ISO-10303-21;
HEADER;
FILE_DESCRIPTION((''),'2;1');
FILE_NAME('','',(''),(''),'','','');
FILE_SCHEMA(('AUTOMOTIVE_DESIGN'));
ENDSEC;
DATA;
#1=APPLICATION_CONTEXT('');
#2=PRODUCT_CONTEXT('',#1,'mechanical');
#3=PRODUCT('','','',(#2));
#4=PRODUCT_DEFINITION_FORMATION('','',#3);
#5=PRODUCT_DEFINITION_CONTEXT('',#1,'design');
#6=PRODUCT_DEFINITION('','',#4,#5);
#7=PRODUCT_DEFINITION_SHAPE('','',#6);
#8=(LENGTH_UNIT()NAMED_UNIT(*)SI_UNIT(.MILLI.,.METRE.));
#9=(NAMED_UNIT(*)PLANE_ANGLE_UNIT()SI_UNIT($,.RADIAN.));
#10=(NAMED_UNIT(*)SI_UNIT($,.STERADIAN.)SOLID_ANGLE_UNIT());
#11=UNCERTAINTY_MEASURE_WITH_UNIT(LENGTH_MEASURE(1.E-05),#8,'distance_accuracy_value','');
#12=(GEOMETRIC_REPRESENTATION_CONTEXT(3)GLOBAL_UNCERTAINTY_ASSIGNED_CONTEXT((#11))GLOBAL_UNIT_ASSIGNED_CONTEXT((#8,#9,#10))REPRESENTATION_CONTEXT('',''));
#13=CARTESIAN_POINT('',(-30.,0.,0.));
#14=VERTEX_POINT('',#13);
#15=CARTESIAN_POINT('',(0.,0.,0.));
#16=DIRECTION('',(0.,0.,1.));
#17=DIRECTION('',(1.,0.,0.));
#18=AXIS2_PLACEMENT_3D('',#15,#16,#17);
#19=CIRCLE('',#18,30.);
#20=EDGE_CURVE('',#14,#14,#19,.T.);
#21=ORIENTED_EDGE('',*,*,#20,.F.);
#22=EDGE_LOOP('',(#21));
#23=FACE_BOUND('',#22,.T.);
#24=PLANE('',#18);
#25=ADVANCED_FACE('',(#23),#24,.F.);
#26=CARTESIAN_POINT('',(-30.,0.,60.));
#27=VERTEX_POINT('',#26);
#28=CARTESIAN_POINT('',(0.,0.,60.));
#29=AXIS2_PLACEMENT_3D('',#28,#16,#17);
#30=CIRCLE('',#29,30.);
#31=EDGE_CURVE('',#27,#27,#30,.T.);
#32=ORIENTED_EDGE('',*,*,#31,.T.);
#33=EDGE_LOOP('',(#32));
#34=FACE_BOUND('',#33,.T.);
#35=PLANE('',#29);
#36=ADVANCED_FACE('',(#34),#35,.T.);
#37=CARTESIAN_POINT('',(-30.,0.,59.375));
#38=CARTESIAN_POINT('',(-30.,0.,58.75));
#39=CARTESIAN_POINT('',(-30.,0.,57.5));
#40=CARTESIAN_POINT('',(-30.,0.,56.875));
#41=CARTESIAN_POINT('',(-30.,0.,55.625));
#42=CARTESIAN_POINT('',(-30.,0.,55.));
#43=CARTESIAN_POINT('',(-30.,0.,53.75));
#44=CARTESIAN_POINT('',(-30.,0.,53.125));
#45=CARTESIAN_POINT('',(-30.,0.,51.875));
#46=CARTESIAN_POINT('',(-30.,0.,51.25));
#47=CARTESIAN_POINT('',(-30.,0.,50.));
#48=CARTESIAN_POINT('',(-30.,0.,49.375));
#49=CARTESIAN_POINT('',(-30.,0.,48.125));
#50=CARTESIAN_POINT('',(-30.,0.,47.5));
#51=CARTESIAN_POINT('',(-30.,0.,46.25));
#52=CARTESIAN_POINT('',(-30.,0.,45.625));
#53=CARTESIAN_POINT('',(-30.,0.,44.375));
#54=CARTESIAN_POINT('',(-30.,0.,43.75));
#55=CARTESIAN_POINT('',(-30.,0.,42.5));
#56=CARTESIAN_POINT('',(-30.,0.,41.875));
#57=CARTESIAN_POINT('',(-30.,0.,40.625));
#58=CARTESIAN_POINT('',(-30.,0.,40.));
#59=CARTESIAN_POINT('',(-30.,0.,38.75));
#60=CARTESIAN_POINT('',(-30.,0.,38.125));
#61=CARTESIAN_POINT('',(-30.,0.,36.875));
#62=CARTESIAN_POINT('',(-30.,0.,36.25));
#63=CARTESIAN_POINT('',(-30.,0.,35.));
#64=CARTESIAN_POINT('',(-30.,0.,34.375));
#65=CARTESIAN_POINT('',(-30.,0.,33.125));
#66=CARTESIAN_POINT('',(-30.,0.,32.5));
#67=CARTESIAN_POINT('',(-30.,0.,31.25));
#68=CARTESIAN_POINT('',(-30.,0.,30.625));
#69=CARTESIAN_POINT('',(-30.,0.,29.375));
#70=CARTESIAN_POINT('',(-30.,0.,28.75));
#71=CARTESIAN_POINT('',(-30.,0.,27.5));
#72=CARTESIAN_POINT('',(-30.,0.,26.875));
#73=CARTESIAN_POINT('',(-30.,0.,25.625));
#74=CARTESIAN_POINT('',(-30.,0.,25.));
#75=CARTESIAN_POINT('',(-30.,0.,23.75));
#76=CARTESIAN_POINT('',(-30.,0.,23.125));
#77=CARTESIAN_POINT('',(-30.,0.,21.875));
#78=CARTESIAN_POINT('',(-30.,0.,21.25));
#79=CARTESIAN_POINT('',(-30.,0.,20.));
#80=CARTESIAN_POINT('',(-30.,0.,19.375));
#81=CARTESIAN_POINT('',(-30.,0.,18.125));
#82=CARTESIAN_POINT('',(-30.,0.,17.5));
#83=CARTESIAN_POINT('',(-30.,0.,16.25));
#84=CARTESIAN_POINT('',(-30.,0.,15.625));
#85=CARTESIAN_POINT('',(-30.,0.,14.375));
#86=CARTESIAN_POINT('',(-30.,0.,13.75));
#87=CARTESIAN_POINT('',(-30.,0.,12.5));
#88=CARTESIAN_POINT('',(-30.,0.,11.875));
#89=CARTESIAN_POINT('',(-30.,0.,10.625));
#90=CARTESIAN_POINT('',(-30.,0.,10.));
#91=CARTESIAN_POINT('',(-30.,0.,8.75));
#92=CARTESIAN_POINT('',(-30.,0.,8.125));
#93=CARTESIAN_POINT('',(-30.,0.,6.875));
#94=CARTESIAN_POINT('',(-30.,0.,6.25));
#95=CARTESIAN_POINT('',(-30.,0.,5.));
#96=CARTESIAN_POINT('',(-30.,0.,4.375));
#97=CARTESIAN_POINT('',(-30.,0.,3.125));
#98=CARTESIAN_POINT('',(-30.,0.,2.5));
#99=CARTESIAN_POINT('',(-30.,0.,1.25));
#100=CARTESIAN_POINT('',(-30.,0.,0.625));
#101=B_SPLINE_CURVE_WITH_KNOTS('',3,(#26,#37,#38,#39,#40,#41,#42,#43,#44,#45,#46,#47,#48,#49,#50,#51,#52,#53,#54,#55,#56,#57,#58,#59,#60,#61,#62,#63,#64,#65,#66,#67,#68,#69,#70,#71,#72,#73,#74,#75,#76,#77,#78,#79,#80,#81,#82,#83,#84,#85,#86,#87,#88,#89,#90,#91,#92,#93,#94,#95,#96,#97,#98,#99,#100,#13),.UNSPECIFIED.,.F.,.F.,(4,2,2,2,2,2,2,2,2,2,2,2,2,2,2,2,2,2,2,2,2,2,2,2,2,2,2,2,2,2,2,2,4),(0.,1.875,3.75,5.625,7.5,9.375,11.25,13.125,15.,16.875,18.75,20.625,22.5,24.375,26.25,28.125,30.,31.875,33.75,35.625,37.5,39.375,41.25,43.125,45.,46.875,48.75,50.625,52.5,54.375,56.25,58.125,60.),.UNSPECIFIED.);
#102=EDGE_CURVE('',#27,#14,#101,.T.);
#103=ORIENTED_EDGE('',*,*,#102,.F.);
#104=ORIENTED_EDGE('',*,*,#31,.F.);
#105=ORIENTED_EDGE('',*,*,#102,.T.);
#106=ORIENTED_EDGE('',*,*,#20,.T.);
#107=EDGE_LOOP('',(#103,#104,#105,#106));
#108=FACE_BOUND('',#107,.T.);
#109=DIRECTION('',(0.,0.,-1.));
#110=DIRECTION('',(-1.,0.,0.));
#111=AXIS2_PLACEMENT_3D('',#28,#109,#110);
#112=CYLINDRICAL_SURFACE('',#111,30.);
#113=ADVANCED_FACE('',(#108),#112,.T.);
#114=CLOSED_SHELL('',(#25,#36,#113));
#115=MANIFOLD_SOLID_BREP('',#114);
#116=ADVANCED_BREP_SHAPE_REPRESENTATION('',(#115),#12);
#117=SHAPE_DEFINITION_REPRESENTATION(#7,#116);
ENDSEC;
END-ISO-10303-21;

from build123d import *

# Parameters (mm, degrees)
SKETCH1_R      = 30
EXTRUDE1_DEPTH = 60


with BuildPart() as part:
    # Sketch1 → Extrude1 (new body)
    with BuildSketch(Plane.XY):
        with Locations(Location((0, 0, 0), (0, 0, 180))):
            Circle(SKETCH1_R)
    extrude(amount=EXTRUDE1_DEPTH)


solid = part.part
